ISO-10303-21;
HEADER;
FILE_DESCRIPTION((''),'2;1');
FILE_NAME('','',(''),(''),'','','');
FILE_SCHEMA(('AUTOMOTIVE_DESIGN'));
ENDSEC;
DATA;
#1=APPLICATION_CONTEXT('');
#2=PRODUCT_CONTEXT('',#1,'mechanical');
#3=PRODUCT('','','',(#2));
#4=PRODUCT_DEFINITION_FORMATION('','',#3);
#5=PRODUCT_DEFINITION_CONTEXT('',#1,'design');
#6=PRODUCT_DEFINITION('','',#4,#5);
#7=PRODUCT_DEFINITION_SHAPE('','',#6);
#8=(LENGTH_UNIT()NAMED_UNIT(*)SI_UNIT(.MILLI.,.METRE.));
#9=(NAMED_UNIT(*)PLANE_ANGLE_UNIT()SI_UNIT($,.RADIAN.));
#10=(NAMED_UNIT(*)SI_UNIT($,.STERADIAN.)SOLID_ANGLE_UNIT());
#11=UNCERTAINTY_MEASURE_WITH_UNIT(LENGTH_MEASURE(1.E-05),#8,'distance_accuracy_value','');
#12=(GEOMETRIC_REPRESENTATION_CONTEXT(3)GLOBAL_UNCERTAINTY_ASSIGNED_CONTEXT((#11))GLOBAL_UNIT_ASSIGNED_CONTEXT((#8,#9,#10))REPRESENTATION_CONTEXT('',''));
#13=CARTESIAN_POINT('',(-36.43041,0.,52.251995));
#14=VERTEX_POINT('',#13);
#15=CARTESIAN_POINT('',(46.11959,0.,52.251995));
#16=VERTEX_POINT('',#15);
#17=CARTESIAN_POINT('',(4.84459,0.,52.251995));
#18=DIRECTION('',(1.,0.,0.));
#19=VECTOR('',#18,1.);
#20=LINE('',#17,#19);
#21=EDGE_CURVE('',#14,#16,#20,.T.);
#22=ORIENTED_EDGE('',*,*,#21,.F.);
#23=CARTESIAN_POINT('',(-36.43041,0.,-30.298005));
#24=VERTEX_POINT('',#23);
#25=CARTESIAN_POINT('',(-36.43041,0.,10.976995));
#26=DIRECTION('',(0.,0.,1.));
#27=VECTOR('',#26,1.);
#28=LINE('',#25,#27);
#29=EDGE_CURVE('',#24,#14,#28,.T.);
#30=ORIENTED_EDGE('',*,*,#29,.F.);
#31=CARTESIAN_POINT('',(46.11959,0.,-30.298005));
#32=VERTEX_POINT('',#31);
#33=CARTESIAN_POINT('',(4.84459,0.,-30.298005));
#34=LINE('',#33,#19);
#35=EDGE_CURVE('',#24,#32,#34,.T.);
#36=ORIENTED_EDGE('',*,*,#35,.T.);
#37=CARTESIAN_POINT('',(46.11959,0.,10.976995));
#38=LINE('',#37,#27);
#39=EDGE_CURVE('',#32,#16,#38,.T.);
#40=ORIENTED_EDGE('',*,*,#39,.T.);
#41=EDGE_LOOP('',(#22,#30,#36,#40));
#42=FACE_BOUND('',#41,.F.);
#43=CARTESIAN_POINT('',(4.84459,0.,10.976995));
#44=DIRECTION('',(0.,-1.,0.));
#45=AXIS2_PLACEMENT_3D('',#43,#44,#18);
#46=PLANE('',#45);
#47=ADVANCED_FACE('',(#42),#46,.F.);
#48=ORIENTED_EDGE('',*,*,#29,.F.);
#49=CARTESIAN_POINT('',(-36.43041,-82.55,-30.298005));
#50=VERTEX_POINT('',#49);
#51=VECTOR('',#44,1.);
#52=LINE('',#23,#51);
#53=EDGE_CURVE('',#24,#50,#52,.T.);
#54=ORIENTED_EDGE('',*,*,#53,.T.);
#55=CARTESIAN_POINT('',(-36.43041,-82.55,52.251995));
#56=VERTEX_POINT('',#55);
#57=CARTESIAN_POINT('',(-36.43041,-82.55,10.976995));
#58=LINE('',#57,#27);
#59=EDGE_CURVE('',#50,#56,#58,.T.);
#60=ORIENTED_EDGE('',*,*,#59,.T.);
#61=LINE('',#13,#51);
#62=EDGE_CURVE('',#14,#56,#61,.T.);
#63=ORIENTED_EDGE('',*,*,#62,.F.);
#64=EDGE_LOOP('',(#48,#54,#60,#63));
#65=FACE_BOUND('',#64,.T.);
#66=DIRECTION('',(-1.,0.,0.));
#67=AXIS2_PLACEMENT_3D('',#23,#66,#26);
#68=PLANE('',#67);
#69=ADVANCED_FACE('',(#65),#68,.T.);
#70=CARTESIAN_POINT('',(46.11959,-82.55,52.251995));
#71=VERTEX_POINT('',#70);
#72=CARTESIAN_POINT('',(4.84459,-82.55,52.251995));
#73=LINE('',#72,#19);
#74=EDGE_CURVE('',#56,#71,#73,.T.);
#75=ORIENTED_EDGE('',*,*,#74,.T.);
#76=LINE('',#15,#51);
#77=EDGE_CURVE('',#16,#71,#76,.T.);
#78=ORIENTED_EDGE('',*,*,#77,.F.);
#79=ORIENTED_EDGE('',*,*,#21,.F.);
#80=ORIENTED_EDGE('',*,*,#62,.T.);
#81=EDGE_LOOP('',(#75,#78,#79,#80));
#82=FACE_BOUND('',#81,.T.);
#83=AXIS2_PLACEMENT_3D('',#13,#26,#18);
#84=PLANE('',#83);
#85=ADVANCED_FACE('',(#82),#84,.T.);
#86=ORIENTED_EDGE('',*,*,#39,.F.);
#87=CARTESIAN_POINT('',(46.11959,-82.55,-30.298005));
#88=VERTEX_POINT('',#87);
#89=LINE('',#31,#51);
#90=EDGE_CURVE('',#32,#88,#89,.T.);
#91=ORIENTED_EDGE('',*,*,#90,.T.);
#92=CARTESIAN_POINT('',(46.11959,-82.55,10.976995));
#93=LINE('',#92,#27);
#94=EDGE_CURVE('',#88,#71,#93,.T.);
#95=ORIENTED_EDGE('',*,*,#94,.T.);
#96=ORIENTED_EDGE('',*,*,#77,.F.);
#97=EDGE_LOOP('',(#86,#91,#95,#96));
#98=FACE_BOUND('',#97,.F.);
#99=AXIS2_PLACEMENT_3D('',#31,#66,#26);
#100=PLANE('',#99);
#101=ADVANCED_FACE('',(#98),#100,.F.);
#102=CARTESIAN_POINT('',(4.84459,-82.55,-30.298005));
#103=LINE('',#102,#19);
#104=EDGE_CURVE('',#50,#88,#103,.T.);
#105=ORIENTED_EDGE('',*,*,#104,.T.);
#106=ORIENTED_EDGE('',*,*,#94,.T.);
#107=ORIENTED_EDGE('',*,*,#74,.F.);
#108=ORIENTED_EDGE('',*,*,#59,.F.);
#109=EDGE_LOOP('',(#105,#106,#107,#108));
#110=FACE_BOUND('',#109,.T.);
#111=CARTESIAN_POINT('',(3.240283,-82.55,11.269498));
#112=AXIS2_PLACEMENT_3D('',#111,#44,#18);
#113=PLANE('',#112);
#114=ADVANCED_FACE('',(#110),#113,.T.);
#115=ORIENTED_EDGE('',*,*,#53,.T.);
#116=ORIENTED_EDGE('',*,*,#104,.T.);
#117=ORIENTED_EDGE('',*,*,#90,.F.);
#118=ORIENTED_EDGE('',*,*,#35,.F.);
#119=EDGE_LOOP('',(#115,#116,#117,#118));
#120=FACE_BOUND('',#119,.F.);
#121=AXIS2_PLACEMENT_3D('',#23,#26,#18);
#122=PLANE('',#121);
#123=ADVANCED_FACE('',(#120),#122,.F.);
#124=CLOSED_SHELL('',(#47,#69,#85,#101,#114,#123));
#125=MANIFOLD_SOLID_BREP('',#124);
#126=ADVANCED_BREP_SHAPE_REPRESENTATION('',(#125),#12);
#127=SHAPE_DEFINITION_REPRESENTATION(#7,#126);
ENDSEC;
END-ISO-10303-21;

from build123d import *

# Parameters (mm, degrees)
F0_W      = 82.55
F0_H      = 82.55
F1_DEPTH  = 82.55
F2_R      = 19.086934
F3_DEPTH  = 25.4
F3_FACE_R = 19.086934
F4_DEPTH  = 25.4


with BuildPart() as f1:
    # F0 (on Front) → F1 (new body)
    with BuildSketch(Plane.XZ):
        with Locations((4.84459, 10.976995)):
            Rectangle(F0_W, F0_H)
    extrude(amount=F1_DEPTH)

    # F2 (on face) → F3 (cut)
    with BuildSketch(Plane.XZ.offset(82.55)):
        with Locations((3.240283, 11.269498)):
            Circle(F2_R)
    extrude(amount=-F3_DEPTH, mode=Mode.SUBTRACT)

    # F3_face (on face) → F4 (join)
    with BuildSketch(Plane(origin=(3.240283, -57.15, 11.269498), x_dir=(1, 0, 0), z_dir=(0, -1, 0))):
        Circle(F3_FACE_R)
    extrude(amount=F4_DEPTH)


solid = f1.part
